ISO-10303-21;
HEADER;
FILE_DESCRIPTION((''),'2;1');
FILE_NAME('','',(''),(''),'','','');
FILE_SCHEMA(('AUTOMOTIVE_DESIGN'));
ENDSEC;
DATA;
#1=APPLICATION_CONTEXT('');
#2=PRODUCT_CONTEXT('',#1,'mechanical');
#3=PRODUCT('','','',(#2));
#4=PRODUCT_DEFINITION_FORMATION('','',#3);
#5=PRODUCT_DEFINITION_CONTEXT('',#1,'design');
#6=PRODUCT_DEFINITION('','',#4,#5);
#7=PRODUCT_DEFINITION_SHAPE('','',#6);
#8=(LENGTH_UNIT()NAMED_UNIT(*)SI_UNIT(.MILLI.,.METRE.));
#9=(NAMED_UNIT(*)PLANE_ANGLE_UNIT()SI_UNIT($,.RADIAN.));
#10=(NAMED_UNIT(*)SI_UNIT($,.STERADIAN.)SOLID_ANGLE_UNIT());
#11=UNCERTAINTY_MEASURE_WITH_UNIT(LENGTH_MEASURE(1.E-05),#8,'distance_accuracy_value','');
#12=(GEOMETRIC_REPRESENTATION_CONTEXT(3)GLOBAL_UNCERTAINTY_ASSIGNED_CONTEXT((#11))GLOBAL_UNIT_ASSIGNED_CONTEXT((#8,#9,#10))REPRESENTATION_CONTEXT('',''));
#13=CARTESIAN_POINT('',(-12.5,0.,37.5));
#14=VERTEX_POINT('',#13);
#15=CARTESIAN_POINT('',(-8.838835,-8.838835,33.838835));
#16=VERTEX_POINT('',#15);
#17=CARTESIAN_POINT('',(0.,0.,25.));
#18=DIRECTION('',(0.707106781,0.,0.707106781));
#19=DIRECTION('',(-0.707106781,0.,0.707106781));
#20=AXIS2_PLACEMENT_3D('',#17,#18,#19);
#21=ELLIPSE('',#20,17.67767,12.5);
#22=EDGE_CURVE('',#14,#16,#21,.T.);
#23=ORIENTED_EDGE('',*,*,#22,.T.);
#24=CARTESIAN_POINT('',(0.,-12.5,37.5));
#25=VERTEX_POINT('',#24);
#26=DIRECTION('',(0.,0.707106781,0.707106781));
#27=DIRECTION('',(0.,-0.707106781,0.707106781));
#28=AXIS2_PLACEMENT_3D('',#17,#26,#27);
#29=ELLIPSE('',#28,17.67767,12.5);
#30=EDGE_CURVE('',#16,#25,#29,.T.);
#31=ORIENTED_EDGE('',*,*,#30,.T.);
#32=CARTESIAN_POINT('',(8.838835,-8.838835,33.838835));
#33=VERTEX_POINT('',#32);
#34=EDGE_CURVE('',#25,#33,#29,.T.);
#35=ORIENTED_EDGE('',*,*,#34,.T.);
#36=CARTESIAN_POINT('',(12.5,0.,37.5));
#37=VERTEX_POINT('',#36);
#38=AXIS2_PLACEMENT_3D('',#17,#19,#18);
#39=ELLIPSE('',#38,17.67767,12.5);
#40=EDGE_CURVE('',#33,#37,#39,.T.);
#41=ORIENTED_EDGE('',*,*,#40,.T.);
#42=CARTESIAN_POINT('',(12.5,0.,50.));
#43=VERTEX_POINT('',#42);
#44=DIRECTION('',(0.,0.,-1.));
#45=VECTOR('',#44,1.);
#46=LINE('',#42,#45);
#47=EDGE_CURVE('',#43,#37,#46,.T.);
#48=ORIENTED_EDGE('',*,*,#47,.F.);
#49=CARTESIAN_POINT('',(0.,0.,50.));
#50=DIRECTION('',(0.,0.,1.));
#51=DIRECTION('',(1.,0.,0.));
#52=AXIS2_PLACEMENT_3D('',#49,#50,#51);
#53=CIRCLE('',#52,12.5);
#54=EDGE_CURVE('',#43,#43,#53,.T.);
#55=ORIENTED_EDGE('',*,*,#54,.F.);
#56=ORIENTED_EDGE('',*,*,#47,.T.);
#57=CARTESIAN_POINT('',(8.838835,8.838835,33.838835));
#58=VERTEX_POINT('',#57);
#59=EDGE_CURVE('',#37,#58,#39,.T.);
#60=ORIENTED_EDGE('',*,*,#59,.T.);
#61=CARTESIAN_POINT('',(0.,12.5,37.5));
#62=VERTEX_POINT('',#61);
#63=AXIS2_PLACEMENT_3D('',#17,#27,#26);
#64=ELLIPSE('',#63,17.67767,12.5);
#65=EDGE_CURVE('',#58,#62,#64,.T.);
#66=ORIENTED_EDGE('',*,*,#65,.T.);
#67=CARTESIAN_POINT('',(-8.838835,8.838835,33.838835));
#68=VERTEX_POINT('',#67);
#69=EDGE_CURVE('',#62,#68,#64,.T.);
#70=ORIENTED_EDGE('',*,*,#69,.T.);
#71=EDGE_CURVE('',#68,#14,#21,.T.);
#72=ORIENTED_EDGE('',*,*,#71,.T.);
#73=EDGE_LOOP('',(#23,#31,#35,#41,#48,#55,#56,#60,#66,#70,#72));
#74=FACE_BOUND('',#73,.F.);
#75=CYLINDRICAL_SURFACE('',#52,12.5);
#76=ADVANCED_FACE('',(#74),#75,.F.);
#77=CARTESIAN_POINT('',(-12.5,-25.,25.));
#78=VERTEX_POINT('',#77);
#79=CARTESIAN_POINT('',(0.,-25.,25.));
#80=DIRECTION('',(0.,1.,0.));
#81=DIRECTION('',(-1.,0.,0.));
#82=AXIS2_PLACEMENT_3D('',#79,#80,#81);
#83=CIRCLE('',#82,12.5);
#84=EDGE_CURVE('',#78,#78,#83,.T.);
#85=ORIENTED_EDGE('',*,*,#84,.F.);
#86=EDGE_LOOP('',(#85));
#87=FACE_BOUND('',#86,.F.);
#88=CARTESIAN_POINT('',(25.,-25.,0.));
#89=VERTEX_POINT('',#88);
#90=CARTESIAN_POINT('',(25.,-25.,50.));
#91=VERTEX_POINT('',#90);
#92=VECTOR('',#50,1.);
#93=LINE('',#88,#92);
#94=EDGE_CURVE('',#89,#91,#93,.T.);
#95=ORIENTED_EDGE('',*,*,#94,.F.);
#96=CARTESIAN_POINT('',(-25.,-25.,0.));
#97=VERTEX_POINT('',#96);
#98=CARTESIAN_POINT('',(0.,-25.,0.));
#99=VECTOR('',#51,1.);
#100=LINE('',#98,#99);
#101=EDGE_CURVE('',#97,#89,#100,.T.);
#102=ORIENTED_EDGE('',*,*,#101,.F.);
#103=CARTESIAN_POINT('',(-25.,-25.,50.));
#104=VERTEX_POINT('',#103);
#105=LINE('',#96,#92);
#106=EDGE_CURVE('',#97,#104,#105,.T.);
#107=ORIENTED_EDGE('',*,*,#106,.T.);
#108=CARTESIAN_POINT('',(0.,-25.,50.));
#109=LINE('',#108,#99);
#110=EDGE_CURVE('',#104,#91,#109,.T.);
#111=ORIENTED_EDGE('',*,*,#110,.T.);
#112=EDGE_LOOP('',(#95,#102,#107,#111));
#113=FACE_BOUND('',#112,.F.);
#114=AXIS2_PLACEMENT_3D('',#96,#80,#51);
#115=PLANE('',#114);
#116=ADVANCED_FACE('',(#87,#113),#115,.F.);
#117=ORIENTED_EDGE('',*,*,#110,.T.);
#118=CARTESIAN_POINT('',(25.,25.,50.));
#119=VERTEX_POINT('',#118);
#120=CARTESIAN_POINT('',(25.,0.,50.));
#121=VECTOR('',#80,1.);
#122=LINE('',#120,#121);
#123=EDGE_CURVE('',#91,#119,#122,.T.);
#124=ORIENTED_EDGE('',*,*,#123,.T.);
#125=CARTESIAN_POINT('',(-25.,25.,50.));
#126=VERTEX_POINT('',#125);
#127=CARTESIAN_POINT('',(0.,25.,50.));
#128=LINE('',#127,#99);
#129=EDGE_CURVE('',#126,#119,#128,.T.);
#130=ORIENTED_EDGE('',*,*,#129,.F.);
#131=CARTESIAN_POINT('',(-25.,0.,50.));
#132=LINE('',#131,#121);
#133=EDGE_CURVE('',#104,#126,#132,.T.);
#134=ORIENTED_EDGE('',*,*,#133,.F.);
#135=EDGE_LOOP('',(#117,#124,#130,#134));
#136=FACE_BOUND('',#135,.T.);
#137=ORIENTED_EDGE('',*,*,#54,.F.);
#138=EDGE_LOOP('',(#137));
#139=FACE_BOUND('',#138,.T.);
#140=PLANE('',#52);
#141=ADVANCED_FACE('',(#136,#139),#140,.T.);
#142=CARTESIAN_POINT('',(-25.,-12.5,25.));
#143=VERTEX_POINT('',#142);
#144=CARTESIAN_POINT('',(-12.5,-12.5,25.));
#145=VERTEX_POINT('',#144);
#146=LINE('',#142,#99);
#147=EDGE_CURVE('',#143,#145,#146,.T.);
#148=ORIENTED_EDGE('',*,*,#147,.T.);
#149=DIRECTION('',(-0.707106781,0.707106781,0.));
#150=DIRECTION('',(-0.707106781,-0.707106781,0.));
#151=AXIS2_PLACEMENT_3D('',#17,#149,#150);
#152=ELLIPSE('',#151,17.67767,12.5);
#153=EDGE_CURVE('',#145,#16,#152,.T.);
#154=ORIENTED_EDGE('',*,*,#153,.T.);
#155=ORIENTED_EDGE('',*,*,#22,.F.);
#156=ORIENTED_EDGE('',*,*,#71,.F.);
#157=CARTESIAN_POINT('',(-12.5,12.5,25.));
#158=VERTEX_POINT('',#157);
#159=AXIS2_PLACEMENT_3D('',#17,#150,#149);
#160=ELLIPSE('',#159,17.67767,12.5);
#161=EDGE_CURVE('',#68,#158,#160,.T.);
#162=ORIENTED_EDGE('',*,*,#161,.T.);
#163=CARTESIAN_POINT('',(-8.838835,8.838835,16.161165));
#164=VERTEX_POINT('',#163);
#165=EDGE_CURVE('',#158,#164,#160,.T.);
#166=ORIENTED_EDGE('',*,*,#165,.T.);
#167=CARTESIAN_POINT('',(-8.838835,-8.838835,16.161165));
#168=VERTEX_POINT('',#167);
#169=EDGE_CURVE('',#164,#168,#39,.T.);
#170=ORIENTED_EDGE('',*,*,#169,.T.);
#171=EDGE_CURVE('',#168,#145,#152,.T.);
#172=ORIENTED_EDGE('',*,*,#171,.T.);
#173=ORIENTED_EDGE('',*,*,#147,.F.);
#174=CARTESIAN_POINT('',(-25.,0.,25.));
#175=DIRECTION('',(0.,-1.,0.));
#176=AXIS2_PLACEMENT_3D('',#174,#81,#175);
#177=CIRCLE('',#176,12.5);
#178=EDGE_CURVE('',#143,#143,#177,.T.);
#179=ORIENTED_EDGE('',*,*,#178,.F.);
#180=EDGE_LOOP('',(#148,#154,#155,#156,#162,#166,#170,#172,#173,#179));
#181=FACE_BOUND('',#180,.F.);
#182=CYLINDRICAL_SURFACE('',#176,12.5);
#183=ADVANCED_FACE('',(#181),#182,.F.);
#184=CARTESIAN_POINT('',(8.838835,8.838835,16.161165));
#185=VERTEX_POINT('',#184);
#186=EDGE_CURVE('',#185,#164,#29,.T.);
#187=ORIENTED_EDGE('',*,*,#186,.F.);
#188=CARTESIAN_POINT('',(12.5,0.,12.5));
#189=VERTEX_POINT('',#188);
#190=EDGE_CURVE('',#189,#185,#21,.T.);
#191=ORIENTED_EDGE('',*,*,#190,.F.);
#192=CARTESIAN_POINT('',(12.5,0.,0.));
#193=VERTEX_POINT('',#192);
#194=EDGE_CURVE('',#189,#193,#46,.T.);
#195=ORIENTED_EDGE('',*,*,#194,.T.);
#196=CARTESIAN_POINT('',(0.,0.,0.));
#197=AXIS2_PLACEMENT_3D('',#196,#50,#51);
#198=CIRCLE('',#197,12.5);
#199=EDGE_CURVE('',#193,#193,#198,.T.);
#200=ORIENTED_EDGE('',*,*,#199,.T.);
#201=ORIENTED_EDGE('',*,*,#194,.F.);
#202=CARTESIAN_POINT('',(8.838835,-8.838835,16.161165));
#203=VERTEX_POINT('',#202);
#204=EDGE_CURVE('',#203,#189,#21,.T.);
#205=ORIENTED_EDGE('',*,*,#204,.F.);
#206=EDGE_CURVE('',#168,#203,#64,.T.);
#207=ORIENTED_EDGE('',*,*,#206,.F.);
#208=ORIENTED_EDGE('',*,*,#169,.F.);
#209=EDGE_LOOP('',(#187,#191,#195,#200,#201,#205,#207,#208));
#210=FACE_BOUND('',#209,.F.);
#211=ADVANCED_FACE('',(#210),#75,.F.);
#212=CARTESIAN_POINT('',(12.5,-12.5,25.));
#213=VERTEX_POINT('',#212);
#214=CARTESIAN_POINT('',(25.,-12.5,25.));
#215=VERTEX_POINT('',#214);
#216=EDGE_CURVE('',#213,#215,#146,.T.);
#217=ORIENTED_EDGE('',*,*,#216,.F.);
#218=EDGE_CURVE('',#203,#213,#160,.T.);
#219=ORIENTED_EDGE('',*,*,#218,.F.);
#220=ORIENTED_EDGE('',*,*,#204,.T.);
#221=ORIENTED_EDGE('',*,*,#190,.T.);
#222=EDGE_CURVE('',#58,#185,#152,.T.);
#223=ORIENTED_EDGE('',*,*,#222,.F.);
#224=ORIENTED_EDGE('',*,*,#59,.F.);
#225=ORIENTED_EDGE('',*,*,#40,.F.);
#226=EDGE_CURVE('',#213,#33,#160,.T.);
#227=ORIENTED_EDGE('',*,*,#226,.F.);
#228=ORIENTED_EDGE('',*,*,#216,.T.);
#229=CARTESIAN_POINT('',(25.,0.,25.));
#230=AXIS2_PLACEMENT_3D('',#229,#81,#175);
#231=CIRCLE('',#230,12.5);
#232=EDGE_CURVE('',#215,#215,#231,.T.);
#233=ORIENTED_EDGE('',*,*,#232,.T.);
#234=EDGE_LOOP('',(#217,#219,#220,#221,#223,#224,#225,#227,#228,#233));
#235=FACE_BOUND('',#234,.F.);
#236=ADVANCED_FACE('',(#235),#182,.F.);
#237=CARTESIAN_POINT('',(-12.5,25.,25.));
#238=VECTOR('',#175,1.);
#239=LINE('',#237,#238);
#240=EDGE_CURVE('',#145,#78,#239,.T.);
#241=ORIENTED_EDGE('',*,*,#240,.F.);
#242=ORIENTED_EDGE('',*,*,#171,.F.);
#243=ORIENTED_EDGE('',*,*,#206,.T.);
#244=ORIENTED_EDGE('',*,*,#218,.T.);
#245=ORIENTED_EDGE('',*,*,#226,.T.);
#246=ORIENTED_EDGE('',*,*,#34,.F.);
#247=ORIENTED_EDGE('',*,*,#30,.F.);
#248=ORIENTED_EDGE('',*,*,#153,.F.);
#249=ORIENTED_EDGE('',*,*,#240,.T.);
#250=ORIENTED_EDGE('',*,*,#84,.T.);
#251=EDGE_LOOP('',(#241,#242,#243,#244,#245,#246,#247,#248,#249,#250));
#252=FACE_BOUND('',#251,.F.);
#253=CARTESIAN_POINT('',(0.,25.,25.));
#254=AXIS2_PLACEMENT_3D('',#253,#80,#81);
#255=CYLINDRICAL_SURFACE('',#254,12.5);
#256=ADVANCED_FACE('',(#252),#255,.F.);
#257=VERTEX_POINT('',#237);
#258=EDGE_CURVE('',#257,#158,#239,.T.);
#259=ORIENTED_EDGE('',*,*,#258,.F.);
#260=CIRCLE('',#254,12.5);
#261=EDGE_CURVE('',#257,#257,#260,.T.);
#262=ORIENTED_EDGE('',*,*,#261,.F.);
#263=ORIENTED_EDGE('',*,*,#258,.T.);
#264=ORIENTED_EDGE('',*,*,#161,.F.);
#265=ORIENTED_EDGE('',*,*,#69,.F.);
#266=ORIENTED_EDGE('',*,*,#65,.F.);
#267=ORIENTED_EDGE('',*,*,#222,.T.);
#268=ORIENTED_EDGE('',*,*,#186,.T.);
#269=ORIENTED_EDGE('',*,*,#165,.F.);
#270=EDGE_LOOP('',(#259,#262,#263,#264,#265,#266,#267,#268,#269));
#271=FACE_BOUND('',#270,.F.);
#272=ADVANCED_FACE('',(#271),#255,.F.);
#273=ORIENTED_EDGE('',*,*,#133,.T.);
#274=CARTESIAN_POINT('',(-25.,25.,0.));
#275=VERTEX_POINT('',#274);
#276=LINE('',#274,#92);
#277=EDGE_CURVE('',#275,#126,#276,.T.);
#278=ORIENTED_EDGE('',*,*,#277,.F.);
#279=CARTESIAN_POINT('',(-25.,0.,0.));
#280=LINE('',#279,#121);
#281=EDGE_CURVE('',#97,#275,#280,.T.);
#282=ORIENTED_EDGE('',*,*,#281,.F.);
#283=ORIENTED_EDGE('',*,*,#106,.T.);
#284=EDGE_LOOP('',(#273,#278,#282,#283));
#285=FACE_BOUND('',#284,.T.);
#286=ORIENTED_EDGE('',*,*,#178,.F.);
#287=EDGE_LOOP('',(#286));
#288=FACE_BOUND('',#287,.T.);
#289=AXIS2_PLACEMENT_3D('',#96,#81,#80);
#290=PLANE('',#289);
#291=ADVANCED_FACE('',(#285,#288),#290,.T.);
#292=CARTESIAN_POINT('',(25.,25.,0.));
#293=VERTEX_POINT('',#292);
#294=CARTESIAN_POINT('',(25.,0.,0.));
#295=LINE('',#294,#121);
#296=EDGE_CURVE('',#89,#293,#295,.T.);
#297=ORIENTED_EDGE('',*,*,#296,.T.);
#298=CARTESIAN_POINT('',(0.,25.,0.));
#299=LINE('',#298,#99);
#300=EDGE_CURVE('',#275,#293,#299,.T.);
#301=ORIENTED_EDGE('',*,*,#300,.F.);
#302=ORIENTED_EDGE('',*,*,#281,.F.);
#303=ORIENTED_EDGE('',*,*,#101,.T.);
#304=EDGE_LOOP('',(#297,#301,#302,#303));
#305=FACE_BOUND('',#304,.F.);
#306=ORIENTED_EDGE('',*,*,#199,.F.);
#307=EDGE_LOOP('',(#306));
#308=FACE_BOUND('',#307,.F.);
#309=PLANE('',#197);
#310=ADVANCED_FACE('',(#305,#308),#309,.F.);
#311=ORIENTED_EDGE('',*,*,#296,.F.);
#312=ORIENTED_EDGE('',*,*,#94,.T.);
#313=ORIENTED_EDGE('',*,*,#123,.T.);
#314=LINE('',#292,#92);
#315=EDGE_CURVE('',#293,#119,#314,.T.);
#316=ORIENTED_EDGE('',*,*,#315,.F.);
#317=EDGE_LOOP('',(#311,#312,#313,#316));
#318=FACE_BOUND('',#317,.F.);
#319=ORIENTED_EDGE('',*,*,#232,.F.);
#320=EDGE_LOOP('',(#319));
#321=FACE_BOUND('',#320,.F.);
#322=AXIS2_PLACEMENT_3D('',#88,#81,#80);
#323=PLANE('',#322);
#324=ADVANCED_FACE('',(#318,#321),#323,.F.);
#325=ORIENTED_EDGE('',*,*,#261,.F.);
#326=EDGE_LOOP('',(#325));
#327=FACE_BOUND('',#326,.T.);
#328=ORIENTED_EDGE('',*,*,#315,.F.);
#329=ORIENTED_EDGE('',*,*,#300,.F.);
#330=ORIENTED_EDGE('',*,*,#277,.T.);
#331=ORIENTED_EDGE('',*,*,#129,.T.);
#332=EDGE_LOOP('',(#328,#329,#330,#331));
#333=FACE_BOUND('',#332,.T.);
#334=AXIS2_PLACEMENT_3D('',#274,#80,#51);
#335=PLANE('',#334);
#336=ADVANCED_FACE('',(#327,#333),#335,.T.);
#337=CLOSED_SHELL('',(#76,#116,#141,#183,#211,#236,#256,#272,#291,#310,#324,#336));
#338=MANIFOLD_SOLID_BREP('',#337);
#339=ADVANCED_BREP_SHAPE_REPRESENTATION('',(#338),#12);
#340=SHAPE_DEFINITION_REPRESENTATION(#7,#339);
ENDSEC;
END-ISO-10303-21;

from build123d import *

# Parameters (mm, degrees)
F0_W     = 50
F0_H     = 50
F1_DEPTH = 50
F2_R     = 12.5
F3_DEPTH = 50
F4_R     = 12.5
F5_DEPTH = 50
F6_R     = 12.5
F7_DEPTH = 50


with BuildPart() as f1:
    # F0 (on Top) → F1 (new body)
    with BuildSketch(Plane.XY):
        Rectangle(F0_W, F0_H)
    extrude(amount=F1_DEPTH)

    # F2 (on face) → F3 (cut)
    with BuildSketch(Plane.XY.offset(50)):
        Circle(F2_R)
    extrude(amount=-F3_DEPTH, mode=Mode.SUBTRACT)

    # F4 (on face) → F5 (cut)
    with BuildSketch(Plane(origin=(-25, 0, 0), x_dir=(0, -1, 0), z_dir=(-1, 0, 0))):
        with Locations((0, 25)):
            Circle(F4_R)
    extrude(amount=-F5_DEPTH, mode=Mode.SUBTRACT)

    # F6 (on face) → F7 (cut)
    with BuildSketch(Plane(origin=(0, 25, 0), x_dir=(-1, 0, 0), z_dir=(0, 1, 0))):
        with Locations((0, 25)):
            Circle(F6_R)
    extrude(amount=-F7_DEPTH, mode=Mode.SUBTRACT)


solid = f1.part
